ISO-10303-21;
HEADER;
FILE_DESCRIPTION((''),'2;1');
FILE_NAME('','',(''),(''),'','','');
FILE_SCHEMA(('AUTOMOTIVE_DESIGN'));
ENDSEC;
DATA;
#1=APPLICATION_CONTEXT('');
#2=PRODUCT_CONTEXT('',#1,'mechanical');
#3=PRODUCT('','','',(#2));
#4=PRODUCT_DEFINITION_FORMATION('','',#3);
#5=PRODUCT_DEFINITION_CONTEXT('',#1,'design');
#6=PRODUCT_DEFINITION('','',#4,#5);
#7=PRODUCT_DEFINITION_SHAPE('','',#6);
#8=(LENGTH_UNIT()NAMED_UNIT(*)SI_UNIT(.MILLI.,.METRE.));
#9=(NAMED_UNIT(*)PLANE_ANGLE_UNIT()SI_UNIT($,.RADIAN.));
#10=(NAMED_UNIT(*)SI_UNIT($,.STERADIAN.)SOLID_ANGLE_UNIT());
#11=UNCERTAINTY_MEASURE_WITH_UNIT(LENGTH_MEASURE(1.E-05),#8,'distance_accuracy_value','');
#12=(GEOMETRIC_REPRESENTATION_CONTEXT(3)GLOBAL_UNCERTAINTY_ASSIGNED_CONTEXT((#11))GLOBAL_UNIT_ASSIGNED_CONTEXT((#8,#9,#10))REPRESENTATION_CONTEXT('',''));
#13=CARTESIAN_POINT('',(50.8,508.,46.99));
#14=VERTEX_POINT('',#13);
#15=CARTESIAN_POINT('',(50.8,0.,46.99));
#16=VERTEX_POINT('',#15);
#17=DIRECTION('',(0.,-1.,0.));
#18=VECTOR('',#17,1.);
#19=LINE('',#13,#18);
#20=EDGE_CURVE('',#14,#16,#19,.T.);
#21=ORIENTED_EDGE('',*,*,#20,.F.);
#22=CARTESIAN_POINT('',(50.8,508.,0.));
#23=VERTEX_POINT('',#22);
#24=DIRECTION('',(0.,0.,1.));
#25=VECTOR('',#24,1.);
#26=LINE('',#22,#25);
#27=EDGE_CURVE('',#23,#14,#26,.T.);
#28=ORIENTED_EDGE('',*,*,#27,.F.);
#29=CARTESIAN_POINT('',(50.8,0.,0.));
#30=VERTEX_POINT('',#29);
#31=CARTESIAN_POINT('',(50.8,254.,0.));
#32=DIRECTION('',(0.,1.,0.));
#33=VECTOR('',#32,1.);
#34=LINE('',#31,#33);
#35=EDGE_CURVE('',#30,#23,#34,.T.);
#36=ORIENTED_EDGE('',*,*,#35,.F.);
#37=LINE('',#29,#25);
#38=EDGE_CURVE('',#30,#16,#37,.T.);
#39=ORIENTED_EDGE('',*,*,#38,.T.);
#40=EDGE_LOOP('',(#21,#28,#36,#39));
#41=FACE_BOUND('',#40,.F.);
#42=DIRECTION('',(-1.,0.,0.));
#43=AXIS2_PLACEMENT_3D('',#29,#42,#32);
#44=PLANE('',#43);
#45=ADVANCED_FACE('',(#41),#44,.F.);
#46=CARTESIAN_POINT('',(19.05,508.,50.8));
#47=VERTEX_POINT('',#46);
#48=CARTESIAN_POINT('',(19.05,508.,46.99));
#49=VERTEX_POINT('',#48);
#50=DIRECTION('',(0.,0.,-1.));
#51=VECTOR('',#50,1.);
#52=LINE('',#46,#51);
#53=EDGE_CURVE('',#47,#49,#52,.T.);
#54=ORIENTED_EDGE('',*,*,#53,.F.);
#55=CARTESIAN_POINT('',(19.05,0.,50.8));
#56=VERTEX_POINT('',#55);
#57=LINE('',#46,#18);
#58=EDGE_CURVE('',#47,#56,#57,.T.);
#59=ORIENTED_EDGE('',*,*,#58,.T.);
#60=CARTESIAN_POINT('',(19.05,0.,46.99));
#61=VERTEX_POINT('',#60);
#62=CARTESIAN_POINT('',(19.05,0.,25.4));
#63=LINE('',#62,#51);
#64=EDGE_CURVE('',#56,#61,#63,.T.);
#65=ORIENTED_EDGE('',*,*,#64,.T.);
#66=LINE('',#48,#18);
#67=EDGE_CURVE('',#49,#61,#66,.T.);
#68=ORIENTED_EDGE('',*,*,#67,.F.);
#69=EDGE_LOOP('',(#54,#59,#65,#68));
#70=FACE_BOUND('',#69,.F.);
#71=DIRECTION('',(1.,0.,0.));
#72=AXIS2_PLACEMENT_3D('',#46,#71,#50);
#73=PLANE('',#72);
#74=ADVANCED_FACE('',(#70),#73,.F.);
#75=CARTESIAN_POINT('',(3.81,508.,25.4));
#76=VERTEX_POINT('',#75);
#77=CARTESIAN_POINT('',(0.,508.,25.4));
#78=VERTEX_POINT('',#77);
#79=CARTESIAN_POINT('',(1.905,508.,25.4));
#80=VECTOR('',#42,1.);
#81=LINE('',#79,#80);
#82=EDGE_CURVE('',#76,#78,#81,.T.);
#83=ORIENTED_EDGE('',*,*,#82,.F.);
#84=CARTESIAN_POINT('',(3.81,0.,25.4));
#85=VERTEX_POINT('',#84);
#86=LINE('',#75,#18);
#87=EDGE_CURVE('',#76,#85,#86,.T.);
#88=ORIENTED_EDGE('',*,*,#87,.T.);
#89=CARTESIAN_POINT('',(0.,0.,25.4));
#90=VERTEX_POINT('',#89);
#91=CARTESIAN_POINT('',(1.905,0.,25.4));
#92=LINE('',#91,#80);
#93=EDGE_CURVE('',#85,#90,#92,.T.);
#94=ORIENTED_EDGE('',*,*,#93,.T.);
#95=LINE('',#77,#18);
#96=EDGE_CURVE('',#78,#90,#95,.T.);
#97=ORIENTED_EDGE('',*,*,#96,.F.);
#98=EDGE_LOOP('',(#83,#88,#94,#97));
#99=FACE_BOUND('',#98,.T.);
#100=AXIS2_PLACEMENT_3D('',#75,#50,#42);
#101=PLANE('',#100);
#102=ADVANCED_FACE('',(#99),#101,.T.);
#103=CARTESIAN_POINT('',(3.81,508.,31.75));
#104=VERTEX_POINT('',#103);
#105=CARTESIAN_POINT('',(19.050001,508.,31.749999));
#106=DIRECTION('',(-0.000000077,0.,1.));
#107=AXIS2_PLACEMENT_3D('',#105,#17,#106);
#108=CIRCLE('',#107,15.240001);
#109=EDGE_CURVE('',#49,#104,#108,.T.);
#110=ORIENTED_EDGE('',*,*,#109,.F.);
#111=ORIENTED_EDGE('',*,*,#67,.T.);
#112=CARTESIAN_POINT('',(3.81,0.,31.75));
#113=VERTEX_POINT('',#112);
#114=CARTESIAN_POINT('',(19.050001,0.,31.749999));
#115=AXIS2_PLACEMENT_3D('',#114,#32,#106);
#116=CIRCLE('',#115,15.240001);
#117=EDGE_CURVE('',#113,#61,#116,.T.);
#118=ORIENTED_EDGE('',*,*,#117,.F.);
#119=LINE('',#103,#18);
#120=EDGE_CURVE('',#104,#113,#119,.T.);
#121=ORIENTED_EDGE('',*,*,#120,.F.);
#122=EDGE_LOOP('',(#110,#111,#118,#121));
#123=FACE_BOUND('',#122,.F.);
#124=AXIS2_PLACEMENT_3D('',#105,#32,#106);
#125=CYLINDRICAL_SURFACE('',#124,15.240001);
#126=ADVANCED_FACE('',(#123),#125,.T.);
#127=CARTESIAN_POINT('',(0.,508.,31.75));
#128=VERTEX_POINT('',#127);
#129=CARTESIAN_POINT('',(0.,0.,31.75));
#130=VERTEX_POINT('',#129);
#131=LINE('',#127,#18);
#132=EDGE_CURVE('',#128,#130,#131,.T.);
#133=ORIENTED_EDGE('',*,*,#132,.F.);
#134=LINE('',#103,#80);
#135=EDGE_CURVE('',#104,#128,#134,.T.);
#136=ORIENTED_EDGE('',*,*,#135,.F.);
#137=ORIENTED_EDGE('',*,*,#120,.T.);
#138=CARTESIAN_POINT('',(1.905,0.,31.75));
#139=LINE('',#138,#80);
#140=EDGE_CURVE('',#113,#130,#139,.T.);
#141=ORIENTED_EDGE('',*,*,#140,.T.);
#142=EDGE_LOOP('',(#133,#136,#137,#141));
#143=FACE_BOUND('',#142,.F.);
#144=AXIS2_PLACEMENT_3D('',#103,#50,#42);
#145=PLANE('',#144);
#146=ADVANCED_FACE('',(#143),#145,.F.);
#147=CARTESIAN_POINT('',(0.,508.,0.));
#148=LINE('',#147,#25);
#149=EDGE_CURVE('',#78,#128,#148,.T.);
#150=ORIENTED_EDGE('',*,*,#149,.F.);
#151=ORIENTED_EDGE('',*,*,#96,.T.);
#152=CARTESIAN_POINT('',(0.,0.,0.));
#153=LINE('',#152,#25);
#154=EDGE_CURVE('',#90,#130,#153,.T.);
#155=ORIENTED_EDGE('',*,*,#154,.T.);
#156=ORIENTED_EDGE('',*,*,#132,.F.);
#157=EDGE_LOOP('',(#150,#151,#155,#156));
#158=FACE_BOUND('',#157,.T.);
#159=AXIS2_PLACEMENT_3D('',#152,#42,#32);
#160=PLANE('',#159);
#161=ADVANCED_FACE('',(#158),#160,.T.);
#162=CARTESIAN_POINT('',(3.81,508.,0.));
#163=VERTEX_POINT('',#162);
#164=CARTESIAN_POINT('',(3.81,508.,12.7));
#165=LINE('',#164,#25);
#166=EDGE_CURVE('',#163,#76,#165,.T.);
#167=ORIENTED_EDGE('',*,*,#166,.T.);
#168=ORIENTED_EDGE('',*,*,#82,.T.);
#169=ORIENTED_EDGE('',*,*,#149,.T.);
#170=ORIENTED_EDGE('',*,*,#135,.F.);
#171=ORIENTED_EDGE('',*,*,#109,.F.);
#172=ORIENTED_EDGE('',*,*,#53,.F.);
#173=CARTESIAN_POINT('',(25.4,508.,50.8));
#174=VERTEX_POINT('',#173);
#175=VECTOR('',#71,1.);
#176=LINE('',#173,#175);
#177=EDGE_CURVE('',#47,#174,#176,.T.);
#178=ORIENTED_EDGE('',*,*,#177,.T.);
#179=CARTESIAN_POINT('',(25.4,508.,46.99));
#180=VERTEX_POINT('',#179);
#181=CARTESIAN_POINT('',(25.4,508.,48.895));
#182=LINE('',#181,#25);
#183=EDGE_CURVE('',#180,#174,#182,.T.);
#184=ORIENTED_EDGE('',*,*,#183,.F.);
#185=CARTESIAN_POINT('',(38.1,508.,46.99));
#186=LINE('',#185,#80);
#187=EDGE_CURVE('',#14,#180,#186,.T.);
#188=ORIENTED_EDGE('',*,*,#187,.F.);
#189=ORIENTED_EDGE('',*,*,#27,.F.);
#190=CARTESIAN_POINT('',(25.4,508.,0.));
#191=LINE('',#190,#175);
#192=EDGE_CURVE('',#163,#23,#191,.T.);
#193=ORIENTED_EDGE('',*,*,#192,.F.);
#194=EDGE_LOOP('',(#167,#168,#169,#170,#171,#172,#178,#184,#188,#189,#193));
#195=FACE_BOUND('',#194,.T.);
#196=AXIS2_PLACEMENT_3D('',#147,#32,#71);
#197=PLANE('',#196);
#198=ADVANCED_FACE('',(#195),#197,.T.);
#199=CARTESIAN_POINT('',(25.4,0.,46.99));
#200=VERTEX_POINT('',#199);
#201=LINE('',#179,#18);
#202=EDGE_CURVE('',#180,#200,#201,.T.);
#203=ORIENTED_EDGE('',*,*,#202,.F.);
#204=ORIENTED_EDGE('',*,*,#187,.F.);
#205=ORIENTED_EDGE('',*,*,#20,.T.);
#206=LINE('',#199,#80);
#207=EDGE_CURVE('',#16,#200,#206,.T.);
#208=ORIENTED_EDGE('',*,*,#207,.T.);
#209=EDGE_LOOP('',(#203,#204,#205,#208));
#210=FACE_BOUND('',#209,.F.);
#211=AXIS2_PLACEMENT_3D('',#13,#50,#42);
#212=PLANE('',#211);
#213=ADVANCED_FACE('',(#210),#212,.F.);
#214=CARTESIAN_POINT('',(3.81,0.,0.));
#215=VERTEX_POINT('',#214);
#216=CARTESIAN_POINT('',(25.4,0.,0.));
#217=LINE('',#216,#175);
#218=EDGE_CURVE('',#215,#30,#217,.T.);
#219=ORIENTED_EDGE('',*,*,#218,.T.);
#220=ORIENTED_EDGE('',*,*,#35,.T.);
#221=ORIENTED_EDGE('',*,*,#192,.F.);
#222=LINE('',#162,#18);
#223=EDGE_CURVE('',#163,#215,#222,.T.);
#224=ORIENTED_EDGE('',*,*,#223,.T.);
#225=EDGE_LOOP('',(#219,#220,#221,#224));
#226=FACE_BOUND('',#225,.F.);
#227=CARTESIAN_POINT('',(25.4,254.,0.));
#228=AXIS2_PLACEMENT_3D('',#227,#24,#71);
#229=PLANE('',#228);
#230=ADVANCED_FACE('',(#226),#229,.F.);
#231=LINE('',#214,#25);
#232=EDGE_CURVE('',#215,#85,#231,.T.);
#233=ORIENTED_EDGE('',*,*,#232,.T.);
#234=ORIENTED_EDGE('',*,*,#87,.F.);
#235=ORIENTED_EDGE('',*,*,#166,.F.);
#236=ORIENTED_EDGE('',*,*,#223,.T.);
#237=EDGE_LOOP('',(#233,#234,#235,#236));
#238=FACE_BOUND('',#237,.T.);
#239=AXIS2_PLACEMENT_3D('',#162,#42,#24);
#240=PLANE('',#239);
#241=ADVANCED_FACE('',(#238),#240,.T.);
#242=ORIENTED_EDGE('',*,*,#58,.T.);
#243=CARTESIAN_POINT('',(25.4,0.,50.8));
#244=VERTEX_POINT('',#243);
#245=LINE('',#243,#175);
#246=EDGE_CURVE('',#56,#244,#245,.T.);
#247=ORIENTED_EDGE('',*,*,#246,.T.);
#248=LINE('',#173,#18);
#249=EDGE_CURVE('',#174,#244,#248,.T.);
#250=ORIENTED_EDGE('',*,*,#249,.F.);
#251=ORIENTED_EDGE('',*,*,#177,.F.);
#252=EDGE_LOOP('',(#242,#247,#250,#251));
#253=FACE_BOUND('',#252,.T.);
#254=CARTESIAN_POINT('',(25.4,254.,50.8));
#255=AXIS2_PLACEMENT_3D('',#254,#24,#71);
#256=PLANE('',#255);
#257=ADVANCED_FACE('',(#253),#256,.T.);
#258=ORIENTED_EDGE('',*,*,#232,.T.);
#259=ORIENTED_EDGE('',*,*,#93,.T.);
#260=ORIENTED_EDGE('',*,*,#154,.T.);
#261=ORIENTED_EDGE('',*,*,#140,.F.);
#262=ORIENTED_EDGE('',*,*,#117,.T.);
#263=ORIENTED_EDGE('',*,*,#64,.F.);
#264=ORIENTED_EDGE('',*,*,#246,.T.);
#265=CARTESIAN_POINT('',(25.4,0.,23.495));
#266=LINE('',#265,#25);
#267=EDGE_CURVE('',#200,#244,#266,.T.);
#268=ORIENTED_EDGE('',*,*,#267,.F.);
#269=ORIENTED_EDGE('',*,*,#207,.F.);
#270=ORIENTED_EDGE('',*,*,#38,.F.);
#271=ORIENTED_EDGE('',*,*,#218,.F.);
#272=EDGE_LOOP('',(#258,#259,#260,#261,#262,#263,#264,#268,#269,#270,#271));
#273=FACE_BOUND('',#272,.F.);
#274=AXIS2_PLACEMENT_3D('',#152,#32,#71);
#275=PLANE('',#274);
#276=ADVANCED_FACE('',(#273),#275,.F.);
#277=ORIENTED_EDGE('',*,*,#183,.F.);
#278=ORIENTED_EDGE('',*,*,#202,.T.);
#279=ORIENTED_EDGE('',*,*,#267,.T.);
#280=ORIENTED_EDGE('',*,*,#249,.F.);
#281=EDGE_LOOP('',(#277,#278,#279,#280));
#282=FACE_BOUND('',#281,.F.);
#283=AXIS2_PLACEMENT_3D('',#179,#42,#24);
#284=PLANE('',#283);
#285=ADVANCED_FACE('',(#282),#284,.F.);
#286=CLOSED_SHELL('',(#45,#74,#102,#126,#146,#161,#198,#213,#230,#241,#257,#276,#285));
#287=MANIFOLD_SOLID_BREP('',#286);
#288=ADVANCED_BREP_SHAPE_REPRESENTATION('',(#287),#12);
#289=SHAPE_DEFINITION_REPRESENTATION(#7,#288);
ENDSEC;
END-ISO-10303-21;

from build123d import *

# Parameters (mm, degrees)
F0_W     = 50.8
F0_H     = 508
F1_DEPTH = 50.8
F2_W     = 25.4
F2_H     = 3.81
F3_DEPTH = 508.001
F4_W     = 3.81
F4_H     = 25.4
F5_DEPTH = 508.001
F7_DEPTH = 508.001


with BuildPart() as f1:
    # F0 (on Top) → F1 (new body)
    with BuildSketch(Plane.XY):
        with Locations((25.4, 254)):
            Rectangle(F0_W, F0_H)
    extrude(amount=F1_DEPTH)

    # F2 (on face) → F3 (cut, through all)
    with BuildSketch(Plane(origin=(0, 508, 0), x_dir=(-1, 0, 0), z_dir=(0, 1, 0))):
        with Locations((-38.1, 48.895)):
            Rectangle(F2_W, F2_H)
    extrude(amount=-F3_DEPTH, mode=Mode.SUBTRACT)

    # F4 (on face) → F5 (cut, through all)
    with BuildSketch(Plane(origin=(0, 508, 0), x_dir=(-1, 0, 0), z_dir=(0, 1, 0))):
        with Locations((-1.905, 12.7)):
            Rectangle(F4_W, F4_H)
    extrude(amount=-F5_DEPTH, mode=Mode.SUBTRACT)

    # F6 (on face) → F7 (cut, through all)
    with BuildSketch(Plane(origin=(0, 508, 0), x_dir=(-1, 0, 0), z_dir=(0, 1, 0))):
        with BuildLine():
            Line((0, 50.8), (-19.05, 50.8))
            Line((-19.05, 50.8), (-19.05, 46.99))
            ThreePointArc((-19.05, 46.99), (-8.273693, 42.526307), (-3.81, 31.75))
            Line((-3.81, 31.75), (0, 31.75))
            Line((0, 31.75), (0, 50.8))
        make_face()
    extrude(amount=-F7_DEPTH, mode=Mode.SUBTRACT)


solid = f1.part
